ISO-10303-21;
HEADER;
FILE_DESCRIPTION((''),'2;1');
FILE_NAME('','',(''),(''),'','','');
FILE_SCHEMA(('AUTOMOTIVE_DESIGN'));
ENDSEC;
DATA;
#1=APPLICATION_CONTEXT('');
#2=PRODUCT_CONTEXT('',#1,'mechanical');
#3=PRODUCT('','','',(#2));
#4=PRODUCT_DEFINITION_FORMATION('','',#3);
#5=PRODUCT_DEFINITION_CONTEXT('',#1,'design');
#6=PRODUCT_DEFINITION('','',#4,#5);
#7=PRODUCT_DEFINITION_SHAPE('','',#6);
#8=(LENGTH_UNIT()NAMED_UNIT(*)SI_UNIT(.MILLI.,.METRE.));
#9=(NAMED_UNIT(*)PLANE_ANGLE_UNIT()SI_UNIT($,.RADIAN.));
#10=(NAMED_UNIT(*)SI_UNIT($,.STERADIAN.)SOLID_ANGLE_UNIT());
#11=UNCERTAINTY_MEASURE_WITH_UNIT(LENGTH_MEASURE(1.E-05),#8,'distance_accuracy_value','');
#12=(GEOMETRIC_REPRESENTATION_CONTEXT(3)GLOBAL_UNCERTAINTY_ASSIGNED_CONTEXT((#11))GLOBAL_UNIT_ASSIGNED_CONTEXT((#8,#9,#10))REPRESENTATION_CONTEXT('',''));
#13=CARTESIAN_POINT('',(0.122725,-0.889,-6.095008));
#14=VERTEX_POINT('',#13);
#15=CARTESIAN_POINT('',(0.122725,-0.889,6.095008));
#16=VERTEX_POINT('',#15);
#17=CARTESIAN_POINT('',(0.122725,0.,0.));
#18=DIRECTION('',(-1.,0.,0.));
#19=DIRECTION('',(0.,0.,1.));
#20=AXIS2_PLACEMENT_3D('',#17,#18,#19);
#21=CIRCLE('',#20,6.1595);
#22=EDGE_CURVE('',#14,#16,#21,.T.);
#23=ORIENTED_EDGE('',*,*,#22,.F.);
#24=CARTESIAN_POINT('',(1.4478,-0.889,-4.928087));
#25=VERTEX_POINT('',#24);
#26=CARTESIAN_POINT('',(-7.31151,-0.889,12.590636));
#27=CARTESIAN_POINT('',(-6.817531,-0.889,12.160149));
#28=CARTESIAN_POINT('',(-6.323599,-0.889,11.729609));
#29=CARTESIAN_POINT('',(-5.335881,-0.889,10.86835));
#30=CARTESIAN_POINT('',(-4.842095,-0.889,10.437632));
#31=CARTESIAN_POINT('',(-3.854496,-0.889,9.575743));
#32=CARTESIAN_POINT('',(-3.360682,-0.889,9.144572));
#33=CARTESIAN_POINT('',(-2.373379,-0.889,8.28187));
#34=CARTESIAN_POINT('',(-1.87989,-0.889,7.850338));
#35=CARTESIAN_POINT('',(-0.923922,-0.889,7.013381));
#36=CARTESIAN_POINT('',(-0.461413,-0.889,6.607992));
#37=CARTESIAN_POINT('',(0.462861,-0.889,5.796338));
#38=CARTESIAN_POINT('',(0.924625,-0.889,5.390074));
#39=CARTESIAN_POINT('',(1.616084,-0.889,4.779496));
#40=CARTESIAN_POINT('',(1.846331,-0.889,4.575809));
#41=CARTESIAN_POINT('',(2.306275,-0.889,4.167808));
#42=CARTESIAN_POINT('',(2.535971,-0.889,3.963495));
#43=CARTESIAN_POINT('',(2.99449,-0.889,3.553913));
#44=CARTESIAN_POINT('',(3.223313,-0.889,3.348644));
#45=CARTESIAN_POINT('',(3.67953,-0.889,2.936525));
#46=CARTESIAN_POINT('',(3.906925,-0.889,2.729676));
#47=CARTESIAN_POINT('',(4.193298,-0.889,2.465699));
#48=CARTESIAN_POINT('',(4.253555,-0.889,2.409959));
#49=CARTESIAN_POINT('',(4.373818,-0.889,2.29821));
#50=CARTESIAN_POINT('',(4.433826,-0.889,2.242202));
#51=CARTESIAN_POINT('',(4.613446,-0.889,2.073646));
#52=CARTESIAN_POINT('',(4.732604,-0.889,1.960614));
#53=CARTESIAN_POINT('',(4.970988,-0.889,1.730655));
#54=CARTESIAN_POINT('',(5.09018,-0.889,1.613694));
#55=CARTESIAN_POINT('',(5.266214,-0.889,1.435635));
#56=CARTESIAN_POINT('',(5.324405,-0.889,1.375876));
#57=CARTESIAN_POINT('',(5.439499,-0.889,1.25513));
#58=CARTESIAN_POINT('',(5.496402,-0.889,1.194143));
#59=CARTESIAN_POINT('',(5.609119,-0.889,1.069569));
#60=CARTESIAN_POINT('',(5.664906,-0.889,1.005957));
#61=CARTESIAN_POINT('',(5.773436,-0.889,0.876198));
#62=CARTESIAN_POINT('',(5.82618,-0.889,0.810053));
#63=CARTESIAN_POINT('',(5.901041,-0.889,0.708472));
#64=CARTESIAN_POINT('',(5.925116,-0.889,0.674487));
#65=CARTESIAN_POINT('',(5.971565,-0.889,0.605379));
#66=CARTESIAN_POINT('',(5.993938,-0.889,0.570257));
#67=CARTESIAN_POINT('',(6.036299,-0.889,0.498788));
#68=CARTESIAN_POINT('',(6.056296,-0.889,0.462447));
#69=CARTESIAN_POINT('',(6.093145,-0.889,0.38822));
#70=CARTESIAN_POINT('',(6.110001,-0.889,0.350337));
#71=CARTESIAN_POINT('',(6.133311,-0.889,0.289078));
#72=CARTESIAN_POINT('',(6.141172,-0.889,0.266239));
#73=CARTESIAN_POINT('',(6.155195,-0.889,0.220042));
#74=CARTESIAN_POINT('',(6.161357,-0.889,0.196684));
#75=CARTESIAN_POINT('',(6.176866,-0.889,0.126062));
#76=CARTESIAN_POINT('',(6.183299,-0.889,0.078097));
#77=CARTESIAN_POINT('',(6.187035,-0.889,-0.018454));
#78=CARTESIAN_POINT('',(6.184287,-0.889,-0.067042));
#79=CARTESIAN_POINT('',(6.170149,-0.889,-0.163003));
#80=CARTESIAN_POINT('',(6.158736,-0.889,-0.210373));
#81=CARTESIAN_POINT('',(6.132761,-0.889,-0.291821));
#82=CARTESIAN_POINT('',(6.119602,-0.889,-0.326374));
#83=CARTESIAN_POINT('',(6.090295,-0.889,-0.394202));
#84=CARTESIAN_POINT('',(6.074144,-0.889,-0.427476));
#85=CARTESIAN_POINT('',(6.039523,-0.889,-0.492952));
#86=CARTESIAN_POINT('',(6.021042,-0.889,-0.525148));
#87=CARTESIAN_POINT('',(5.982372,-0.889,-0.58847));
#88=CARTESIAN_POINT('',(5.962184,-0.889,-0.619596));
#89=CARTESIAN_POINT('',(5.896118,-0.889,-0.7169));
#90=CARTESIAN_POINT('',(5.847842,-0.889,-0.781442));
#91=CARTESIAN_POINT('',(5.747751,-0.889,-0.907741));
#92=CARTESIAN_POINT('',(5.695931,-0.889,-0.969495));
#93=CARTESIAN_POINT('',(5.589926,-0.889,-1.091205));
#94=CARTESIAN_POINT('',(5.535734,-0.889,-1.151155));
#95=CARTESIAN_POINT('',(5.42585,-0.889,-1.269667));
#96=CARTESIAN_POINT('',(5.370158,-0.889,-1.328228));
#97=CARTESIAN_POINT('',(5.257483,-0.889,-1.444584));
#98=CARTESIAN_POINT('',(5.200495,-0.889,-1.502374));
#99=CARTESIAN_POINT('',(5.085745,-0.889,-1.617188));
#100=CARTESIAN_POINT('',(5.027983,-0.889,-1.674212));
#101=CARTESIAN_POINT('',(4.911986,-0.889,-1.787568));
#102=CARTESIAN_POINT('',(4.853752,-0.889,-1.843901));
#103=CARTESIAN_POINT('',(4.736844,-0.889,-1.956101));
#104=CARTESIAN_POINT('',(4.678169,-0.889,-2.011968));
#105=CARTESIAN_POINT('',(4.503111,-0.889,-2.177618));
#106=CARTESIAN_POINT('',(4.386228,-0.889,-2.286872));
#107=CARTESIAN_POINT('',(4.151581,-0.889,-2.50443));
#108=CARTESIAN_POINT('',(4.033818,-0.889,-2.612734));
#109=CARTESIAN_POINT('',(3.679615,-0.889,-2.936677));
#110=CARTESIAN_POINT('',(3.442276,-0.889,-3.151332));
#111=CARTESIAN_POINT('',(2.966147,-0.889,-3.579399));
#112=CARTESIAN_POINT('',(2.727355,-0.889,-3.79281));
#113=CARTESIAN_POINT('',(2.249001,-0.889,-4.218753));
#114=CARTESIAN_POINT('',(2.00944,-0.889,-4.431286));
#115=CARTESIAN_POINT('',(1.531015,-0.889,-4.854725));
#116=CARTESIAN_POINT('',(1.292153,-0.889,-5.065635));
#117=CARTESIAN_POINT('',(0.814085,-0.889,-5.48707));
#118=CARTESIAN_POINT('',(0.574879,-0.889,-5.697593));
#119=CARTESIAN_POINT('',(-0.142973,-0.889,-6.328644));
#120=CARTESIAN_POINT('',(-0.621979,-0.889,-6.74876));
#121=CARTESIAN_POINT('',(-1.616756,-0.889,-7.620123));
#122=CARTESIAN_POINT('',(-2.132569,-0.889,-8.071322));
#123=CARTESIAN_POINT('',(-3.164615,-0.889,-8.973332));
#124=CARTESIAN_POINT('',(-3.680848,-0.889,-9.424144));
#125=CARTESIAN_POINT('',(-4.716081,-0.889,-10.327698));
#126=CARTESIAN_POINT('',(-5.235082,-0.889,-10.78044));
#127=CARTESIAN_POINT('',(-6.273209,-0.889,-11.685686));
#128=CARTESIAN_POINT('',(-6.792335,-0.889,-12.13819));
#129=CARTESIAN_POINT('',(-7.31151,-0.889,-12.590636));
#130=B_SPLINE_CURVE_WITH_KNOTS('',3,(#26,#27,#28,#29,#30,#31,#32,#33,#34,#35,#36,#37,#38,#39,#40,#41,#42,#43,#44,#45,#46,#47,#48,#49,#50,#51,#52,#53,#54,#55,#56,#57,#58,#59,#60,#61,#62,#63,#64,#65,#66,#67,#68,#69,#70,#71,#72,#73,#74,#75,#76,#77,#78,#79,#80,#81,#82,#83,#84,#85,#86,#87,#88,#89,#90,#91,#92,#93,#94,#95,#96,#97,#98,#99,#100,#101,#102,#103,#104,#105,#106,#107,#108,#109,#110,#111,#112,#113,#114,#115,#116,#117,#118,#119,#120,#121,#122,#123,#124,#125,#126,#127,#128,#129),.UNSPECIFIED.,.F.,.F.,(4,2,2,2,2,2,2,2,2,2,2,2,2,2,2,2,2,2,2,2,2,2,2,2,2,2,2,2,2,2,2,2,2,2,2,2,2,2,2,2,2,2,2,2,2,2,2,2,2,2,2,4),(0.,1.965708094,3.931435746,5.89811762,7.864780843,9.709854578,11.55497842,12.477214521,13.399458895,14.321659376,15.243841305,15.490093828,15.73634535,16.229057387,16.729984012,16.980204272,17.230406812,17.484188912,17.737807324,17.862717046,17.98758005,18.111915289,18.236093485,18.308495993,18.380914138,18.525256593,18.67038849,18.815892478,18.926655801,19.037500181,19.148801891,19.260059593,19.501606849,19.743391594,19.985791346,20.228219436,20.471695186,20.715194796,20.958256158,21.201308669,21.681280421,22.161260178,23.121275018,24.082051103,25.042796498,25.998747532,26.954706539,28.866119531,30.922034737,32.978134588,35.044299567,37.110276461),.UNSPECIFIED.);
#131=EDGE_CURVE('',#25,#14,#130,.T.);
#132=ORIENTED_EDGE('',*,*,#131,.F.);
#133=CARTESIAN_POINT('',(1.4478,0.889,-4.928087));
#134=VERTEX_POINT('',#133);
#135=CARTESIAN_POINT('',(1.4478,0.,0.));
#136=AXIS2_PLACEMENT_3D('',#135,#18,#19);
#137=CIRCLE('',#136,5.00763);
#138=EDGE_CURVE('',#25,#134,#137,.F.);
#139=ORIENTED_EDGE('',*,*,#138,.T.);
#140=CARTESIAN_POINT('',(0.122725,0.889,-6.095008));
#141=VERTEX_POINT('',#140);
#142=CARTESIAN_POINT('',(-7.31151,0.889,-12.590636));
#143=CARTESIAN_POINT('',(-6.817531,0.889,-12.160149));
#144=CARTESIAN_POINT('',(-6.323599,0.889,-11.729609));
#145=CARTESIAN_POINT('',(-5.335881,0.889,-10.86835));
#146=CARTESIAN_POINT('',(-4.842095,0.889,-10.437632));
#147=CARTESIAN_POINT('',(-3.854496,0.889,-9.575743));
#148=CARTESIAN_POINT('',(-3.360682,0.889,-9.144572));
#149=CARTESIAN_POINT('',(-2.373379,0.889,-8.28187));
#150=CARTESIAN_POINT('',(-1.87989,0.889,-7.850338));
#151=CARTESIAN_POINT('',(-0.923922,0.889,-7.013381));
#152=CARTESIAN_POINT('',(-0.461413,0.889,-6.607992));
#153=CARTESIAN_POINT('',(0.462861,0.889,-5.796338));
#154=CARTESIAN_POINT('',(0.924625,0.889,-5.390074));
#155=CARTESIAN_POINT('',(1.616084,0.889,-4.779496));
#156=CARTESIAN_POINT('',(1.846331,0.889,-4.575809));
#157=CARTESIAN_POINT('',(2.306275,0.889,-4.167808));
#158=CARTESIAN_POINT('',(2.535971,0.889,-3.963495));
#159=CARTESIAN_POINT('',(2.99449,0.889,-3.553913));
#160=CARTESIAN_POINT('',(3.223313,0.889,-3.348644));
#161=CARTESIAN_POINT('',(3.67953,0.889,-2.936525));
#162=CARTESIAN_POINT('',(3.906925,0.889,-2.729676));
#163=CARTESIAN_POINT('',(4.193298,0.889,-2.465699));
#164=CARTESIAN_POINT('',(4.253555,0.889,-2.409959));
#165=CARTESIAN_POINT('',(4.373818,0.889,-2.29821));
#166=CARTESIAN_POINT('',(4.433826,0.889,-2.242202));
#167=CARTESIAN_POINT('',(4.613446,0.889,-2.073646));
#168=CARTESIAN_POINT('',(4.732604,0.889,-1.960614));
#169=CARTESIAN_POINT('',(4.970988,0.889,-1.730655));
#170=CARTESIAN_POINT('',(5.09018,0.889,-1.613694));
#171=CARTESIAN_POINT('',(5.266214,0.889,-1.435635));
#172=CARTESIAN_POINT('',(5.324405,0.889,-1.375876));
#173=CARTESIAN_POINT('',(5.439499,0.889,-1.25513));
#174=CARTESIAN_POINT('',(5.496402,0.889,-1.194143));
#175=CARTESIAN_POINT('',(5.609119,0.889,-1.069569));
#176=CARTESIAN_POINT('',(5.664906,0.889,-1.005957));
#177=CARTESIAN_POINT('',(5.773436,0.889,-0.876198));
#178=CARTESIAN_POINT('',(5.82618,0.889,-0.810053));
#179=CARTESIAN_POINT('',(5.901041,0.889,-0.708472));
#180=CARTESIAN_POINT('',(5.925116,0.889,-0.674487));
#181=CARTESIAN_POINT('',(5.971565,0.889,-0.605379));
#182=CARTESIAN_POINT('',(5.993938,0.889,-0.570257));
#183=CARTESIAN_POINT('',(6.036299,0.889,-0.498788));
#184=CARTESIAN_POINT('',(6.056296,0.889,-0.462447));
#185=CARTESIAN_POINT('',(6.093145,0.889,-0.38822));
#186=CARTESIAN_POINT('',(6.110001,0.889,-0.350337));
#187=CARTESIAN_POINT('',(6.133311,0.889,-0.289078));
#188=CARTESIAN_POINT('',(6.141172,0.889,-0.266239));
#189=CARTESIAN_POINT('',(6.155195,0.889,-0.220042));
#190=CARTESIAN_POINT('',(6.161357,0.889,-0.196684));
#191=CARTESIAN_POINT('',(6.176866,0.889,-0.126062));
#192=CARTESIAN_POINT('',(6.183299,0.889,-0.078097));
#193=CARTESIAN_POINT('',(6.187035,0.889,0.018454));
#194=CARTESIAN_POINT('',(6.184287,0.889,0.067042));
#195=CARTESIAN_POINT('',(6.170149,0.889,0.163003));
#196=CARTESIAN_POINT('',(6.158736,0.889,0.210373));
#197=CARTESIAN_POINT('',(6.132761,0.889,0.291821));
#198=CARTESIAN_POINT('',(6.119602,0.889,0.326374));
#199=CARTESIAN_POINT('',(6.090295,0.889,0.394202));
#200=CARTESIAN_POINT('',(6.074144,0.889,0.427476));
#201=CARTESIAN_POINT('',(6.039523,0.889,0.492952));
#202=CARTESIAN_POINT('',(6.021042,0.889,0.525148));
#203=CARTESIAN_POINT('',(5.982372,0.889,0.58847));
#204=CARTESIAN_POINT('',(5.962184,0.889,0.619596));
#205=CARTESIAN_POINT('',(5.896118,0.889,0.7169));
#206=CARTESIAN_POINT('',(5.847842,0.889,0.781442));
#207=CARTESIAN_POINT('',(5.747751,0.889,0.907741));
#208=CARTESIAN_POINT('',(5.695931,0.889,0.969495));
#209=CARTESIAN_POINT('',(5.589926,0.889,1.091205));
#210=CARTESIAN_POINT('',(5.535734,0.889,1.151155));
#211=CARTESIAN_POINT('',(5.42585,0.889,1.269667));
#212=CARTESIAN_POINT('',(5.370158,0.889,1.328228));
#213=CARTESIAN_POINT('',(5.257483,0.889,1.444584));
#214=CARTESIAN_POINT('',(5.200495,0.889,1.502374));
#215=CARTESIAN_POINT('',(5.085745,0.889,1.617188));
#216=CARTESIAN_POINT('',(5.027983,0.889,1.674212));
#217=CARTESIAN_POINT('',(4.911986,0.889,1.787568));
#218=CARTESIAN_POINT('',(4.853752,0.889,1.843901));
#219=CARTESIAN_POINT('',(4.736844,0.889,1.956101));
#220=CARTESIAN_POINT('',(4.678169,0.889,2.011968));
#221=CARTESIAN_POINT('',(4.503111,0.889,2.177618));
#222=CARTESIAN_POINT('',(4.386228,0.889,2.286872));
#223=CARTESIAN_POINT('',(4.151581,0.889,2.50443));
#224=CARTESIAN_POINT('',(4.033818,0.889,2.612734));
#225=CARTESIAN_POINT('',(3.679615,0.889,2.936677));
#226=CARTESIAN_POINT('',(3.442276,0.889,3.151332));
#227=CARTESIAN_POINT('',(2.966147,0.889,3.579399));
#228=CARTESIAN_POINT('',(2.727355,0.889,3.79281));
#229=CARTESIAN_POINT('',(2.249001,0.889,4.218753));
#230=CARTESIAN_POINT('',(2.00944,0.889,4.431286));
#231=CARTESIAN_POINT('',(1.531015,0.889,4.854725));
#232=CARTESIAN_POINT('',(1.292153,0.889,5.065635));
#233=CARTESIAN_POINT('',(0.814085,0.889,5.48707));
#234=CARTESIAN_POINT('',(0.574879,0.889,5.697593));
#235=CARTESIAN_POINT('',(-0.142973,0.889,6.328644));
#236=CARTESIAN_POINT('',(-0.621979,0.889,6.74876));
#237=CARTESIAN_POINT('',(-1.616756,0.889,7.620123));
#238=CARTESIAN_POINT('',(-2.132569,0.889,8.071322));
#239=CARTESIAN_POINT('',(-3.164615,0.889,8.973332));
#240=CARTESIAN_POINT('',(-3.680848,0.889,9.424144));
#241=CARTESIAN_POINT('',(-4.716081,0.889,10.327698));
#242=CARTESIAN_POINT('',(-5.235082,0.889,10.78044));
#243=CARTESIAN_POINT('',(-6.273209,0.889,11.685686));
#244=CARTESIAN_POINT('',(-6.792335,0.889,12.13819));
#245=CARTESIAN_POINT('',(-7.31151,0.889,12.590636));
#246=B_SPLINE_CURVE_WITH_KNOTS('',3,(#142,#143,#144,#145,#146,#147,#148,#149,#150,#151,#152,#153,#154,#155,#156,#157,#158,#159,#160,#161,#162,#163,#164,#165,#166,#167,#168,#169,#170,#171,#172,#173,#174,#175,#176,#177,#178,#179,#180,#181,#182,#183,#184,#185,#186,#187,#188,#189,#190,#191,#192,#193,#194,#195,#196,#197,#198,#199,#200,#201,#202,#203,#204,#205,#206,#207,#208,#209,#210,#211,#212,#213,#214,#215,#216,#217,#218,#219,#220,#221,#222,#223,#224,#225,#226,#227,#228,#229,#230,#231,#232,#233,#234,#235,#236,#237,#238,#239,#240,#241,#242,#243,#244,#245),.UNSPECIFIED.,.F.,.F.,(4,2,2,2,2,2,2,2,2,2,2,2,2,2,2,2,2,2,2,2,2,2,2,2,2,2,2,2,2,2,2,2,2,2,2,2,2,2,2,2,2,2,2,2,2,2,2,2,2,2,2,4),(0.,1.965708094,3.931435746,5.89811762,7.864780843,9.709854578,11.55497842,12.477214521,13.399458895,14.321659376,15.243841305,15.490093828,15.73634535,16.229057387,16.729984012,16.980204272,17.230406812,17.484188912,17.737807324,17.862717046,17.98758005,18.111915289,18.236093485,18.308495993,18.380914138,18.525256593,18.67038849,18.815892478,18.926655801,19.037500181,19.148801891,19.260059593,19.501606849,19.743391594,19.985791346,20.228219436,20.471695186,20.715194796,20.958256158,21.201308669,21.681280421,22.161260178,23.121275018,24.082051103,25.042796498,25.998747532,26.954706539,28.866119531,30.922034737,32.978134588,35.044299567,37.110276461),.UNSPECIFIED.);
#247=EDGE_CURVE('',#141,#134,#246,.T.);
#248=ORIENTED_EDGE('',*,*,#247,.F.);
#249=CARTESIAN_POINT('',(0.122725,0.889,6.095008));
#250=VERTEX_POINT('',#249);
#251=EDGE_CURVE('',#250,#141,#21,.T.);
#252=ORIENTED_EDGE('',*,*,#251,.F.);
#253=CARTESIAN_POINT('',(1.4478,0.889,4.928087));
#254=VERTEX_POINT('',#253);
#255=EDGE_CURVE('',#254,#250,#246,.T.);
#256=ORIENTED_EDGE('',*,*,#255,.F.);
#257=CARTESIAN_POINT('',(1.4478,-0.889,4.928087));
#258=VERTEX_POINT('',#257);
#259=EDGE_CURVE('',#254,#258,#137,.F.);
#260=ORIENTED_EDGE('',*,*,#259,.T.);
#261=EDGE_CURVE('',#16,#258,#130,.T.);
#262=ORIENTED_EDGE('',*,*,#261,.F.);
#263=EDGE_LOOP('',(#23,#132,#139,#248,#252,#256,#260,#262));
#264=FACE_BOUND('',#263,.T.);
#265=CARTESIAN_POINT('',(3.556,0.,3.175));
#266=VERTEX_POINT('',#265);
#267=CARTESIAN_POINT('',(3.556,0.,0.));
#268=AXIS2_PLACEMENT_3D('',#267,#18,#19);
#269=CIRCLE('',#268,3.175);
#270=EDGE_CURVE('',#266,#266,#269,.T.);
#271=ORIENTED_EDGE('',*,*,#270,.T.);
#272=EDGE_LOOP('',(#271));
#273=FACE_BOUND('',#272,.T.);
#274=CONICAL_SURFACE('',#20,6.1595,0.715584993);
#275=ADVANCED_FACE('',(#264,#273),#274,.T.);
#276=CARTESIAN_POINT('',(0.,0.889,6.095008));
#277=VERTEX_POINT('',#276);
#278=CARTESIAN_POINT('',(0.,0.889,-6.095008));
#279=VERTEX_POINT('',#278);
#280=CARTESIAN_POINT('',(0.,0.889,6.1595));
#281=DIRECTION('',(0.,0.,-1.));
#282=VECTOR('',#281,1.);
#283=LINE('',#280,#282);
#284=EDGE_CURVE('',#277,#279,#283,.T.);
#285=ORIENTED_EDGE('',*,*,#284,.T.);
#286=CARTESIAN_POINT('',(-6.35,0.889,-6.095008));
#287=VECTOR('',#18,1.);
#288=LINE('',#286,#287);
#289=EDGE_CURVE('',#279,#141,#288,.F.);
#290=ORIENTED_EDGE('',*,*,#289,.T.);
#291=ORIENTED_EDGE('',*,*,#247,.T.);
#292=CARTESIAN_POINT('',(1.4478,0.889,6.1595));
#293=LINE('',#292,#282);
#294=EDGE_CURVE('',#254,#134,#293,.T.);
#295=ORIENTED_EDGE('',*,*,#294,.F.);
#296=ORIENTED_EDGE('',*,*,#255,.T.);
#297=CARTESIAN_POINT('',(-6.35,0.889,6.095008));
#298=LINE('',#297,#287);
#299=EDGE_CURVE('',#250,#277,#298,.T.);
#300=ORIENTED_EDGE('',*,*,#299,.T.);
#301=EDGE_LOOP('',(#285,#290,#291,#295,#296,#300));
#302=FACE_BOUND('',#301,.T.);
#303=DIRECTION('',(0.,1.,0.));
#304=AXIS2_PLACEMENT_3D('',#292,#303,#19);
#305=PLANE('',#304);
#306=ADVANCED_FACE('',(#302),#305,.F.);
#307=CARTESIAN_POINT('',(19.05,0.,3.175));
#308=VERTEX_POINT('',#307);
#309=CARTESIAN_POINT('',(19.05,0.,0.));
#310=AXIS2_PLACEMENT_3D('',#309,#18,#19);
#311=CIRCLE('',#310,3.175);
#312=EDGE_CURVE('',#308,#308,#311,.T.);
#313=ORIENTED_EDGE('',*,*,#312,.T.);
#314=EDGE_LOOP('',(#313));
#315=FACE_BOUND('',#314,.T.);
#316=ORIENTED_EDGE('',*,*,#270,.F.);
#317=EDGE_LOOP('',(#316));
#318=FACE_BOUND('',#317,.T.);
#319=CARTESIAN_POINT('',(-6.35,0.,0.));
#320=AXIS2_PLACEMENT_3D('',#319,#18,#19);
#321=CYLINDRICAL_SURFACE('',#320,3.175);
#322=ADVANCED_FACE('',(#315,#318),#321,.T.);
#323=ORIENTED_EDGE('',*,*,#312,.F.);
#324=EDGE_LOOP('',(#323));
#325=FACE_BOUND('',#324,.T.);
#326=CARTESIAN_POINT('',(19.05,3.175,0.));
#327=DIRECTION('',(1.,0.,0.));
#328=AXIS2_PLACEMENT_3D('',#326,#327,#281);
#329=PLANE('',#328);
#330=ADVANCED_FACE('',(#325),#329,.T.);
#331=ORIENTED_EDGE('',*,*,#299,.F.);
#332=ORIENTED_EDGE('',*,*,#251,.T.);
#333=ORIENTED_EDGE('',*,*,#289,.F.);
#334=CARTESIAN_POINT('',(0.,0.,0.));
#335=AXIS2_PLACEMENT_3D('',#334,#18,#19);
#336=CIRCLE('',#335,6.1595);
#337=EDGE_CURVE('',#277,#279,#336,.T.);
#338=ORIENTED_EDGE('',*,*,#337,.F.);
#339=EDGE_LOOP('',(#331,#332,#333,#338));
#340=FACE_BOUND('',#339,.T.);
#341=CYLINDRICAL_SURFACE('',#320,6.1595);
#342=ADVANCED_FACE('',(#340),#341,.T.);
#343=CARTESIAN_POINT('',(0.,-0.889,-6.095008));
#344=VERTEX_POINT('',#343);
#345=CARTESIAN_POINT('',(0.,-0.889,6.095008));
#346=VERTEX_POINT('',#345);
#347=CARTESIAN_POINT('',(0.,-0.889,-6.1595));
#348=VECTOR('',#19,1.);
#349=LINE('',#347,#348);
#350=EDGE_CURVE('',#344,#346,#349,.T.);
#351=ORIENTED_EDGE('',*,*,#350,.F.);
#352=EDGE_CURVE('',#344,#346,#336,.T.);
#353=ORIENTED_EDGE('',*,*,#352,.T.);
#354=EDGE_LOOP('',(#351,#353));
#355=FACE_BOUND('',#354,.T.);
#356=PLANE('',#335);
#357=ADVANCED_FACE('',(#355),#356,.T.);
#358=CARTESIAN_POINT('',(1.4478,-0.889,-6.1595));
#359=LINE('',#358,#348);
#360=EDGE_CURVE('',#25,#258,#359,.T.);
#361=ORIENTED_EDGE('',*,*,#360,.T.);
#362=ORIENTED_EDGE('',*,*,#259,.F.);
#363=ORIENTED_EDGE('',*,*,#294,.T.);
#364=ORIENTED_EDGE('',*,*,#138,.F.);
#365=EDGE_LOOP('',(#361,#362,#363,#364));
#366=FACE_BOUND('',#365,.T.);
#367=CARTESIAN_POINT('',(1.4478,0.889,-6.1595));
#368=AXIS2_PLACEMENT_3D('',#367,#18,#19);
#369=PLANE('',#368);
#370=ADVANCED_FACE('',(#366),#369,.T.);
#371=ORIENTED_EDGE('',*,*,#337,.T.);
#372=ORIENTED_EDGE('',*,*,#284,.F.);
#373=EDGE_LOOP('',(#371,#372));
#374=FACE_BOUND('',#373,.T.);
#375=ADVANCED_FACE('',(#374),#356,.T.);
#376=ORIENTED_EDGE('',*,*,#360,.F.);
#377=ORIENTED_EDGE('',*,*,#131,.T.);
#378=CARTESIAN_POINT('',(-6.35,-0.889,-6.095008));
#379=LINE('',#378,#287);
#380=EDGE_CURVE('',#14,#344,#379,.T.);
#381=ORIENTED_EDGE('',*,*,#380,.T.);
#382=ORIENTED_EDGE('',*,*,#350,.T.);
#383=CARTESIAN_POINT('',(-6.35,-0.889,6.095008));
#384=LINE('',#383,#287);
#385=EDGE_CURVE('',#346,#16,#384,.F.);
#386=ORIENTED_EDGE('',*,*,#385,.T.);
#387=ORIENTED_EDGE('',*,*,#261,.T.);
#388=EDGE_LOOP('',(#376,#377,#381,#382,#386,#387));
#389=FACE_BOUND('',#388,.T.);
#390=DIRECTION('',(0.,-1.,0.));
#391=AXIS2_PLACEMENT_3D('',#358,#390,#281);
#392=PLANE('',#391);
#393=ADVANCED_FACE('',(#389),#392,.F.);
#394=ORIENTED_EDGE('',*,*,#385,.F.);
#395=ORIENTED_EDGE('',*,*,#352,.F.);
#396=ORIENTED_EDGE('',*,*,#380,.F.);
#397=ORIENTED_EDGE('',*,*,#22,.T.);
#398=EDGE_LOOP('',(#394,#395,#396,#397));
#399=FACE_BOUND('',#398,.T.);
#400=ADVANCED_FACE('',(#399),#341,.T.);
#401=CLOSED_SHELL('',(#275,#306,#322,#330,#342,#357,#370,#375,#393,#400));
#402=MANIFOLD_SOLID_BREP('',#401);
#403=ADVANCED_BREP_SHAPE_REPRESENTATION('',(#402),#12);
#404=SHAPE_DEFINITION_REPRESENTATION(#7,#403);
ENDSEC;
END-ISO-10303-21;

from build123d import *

# Parameters (mm, degrees)
SKETCH6_W  = 12.319
SKETCH6_H  = 1.778
SLOT_DEPTH = 1.4478


with BuildPart() as part:
    # BodySke → Base-Revolve (revolve)
    with BuildSketch(Plane.XY, mode=Mode.PRIVATE) as base_revolve_sk:
        Polygon((0, 0), (0, 6.1595), (0.122725489, 6.1595), (3.556, 3.175), (19.05, 3.175), (19.05, 0), align=None)
    revolve(base_revolve_sk.sketch.rotate(Axis((-6.35, 0, 0), (1, 0, 0)), 90), axis=Axis((-6.35, 0, 0), (1, 0, 0)))

    # Sketch6 → Slot (cut)
    with BuildSketch(Plane.ZY):
        Rectangle(SKETCH6_W, SKETCH6_H)
    extrude(amount=-SLOT_DEPTH, mode=Mode.SUBTRACT)


solid = part.part
